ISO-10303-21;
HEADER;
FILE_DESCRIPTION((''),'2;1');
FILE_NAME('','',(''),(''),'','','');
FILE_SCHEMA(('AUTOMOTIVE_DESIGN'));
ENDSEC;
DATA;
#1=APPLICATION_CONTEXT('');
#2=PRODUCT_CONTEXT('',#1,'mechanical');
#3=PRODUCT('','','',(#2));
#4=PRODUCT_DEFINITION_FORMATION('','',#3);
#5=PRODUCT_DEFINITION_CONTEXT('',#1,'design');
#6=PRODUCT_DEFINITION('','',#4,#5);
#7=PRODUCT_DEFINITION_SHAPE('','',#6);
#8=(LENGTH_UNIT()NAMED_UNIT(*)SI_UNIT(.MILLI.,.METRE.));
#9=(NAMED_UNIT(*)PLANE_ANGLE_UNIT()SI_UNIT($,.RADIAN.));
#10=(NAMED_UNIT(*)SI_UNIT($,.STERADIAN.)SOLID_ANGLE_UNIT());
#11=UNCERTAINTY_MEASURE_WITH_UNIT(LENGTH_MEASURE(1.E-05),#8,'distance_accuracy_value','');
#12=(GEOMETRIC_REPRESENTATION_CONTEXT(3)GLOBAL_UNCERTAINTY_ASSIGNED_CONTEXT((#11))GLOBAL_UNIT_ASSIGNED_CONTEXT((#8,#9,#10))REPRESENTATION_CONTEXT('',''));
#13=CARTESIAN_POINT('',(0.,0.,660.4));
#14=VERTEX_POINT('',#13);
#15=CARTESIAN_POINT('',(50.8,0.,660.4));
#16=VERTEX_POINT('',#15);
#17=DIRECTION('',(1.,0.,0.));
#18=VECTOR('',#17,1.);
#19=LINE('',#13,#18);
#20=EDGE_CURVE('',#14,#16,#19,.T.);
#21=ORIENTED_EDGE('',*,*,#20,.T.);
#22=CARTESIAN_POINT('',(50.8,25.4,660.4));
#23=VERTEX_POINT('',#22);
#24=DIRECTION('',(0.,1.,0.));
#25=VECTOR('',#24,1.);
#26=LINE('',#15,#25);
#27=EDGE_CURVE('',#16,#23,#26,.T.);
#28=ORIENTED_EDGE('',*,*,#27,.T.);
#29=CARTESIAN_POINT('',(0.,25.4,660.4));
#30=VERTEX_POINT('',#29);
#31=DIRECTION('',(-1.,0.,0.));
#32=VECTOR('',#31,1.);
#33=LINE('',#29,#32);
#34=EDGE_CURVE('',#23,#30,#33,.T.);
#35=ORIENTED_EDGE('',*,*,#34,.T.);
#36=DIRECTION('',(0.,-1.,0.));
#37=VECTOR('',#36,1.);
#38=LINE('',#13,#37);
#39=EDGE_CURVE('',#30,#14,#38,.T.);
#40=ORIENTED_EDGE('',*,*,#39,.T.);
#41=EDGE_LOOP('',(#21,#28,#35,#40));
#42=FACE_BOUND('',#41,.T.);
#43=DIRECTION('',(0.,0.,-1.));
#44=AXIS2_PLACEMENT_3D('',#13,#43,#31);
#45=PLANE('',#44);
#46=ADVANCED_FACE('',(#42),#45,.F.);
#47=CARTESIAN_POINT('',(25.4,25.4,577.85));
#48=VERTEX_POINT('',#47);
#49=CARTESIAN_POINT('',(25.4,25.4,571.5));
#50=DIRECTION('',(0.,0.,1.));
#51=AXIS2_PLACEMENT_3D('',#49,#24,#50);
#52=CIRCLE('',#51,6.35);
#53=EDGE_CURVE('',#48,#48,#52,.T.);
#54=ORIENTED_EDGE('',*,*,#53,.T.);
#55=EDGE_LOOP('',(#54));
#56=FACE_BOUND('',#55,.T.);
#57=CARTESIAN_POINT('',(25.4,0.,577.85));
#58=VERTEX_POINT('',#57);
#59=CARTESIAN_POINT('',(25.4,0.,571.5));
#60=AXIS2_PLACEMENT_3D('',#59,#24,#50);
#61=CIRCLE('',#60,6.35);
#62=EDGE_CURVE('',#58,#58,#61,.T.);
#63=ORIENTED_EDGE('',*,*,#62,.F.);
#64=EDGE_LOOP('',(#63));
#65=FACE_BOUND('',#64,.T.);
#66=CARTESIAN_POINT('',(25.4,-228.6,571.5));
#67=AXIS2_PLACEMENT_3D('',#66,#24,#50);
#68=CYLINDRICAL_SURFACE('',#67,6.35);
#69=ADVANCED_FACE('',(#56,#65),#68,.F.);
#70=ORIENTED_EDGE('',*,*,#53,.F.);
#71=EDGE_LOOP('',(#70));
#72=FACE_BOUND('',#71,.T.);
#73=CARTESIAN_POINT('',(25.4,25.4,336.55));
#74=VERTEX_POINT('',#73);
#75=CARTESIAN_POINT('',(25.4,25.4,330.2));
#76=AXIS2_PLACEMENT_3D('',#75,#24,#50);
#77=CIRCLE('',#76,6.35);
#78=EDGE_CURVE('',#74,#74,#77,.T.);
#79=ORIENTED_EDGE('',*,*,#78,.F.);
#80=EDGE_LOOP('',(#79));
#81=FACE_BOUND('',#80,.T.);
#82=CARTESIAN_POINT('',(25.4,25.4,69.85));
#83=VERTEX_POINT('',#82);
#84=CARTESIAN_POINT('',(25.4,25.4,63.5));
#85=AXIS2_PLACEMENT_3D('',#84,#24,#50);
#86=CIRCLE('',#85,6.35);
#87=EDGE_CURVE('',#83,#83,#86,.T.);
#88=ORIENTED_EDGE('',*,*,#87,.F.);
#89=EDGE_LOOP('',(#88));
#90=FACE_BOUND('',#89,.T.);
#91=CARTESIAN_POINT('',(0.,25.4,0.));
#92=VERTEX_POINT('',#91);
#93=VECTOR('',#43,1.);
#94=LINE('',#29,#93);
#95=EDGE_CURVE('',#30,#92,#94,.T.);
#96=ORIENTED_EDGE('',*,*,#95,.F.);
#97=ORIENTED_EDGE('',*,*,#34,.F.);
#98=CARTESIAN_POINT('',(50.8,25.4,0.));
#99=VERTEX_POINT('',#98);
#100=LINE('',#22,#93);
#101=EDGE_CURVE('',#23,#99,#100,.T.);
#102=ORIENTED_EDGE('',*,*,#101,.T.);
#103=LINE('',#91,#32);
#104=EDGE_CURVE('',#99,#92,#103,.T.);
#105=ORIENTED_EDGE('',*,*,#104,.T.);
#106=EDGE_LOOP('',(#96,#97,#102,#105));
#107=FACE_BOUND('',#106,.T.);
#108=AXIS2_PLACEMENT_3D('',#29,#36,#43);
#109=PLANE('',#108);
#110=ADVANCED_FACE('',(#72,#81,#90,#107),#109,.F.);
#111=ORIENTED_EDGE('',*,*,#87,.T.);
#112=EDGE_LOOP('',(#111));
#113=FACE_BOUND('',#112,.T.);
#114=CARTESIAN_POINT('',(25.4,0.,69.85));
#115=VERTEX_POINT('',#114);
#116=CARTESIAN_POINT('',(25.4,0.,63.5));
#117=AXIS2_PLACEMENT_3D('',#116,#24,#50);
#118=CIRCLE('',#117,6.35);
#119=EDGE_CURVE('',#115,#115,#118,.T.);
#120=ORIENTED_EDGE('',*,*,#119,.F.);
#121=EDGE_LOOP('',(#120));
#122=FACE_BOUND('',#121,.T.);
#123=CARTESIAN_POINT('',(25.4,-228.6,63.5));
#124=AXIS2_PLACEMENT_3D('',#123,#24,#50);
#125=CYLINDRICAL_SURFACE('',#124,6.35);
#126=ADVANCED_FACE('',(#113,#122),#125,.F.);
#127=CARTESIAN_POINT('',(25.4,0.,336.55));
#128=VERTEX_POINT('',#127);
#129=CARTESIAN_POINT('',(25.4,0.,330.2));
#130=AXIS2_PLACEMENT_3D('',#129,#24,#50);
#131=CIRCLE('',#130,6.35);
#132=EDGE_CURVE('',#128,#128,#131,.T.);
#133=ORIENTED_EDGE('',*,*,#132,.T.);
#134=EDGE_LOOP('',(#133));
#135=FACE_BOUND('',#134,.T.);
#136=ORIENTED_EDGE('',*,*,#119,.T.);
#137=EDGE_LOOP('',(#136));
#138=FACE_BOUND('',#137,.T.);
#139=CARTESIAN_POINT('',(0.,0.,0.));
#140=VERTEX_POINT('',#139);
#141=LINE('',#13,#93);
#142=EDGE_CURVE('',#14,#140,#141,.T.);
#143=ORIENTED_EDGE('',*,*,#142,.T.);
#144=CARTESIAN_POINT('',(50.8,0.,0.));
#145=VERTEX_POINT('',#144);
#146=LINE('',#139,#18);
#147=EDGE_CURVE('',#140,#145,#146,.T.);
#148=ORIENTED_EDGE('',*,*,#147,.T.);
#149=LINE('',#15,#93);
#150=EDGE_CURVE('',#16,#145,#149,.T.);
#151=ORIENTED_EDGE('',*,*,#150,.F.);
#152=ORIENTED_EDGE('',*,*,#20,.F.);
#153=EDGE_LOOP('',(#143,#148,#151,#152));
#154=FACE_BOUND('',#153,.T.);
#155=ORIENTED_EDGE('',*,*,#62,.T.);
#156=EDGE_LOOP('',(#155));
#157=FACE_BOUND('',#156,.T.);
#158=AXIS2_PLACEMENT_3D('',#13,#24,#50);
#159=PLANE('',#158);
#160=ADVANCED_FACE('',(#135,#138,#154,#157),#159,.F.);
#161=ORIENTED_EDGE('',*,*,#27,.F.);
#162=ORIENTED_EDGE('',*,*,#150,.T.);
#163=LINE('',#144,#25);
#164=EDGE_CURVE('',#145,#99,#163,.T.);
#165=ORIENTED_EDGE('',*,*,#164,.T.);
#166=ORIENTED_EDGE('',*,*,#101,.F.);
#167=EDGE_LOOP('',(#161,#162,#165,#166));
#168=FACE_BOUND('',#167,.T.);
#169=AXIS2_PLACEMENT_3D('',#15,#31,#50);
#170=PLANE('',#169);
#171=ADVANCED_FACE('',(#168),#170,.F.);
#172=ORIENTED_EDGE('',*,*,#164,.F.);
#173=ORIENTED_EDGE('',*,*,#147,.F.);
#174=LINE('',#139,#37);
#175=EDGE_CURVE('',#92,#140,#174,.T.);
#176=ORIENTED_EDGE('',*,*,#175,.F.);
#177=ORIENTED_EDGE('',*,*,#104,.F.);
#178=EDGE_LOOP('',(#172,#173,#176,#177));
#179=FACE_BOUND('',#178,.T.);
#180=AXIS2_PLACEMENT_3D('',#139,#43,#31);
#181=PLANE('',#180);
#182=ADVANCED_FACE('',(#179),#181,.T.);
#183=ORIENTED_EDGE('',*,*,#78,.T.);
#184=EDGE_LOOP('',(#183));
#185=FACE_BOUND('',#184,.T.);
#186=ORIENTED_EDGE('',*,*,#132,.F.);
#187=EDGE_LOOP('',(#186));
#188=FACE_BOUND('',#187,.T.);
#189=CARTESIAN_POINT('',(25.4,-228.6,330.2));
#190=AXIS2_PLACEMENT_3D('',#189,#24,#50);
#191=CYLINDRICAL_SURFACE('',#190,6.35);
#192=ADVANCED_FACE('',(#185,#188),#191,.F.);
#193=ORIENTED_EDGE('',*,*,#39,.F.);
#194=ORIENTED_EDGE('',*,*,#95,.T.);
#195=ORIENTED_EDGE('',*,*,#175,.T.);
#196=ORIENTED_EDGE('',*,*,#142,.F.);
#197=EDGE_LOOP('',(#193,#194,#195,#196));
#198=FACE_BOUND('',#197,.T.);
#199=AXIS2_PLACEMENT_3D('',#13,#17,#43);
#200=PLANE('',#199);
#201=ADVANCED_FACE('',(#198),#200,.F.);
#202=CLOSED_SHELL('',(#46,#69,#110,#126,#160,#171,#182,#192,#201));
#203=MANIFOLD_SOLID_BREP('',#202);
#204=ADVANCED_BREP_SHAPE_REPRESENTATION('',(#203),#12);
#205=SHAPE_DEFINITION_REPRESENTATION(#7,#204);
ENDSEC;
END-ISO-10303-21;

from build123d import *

# Parameters (mm, degrees)
SKETCH1_W           = 50.8
SKETCH1_H           = 25.4
BOSS_EXTRUDE1_DEPTH = 660.4
SKETCH2_R           = 6.35
CUT_EXTRUDE1_DEPTH  = 254


with BuildPart() as part:
    # Sketch1 → Boss-Extrude1 (new body)
    with BuildSketch(Plane.XY):
        with Locations((25.4, 12.7)):
            Rectangle(SKETCH1_W, SKETCH1_H)
    extrude(amount=BOSS_EXTRUDE1_DEPTH)

    # Sketch2 → Cut-Extrude1 (cut)
    with BuildSketch(Plane(origin=(0, 25.4, 0), x_dir=(1, 0, 0), z_dir=(0, 1, 0))):
        with Locations((25.4, -63.5)):
            Circle(SKETCH2_R)
        with Locations((25.4, -571.5)):
            Circle(SKETCH2_R)
        with Locations((25.4, -330.2)):
            Circle(SKETCH2_R)
    extrude(amount=-CUT_EXTRUDE1_DEPTH, mode=Mode.SUBTRACT)


solid = part.part
